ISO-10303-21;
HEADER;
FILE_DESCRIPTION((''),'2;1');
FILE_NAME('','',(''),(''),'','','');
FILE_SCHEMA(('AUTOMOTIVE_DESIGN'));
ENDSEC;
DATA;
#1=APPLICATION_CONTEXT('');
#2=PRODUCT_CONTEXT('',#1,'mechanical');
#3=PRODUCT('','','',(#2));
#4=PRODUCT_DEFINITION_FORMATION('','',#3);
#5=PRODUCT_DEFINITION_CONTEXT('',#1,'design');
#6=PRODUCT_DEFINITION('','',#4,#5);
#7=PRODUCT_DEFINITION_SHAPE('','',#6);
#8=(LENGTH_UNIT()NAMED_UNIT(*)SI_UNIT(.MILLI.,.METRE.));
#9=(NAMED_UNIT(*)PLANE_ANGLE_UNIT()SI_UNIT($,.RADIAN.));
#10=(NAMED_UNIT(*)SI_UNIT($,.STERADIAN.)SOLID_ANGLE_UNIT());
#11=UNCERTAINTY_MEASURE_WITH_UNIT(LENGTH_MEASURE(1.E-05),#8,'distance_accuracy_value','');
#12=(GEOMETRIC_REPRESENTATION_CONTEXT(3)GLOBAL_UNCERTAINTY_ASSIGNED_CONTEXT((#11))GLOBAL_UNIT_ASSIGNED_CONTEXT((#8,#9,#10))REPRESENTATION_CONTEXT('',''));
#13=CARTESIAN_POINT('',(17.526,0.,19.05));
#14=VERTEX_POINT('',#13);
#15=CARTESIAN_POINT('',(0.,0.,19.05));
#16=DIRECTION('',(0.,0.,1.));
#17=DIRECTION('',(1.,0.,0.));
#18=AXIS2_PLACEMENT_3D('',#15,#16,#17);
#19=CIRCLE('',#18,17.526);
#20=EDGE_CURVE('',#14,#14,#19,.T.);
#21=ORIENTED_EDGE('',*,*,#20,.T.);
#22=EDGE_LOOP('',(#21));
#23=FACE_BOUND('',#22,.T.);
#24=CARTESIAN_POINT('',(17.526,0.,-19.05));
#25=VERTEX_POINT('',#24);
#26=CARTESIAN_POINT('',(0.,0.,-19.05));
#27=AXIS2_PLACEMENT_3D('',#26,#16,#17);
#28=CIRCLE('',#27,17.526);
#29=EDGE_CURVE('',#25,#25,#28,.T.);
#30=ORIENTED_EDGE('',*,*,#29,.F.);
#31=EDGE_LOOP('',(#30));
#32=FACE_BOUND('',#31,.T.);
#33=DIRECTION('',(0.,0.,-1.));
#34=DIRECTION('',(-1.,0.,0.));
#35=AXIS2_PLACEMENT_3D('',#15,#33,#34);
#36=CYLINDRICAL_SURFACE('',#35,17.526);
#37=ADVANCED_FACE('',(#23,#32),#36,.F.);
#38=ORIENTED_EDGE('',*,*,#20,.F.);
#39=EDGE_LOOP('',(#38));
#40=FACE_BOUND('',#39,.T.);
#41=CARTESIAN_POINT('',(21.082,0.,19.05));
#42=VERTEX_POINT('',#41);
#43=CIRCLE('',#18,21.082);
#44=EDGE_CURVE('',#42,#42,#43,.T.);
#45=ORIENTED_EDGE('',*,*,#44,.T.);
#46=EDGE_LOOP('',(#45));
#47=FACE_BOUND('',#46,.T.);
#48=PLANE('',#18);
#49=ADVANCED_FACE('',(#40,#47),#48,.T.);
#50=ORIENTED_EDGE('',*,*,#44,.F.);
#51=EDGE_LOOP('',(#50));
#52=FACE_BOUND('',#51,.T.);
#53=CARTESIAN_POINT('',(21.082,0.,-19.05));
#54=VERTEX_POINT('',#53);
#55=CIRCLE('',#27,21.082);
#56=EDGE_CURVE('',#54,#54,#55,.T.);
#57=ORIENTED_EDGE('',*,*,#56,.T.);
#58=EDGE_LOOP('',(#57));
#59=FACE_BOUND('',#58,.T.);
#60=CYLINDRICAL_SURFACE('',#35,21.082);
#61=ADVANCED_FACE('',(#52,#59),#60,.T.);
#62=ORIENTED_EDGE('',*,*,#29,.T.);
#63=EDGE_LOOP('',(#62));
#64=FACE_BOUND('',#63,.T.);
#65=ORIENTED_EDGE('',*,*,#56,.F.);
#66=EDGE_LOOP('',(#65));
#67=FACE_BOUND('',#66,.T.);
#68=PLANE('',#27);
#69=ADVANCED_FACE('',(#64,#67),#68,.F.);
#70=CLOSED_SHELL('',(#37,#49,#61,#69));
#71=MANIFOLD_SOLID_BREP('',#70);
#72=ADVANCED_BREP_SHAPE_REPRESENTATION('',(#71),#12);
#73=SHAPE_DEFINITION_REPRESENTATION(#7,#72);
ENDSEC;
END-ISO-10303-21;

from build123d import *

# Parameters (mm, degrees)
SKETCH1_R           = 21.082
SKETCH1_R_2         = 17.526
EXTRUDE_THIN1_DEPTH = 19.05


with BuildPart() as part:
    # Sketch1 → Extrude-Thin1 (new body, symmetric)
    with BuildSketch(Plane.XY):
        Circle(SKETCH1_R)
        Circle(SKETCH1_R_2, mode=Mode.SUBTRACT)
    extrude(amount=EXTRUDE_THIN1_DEPTH, both=True)


solid = part.part
